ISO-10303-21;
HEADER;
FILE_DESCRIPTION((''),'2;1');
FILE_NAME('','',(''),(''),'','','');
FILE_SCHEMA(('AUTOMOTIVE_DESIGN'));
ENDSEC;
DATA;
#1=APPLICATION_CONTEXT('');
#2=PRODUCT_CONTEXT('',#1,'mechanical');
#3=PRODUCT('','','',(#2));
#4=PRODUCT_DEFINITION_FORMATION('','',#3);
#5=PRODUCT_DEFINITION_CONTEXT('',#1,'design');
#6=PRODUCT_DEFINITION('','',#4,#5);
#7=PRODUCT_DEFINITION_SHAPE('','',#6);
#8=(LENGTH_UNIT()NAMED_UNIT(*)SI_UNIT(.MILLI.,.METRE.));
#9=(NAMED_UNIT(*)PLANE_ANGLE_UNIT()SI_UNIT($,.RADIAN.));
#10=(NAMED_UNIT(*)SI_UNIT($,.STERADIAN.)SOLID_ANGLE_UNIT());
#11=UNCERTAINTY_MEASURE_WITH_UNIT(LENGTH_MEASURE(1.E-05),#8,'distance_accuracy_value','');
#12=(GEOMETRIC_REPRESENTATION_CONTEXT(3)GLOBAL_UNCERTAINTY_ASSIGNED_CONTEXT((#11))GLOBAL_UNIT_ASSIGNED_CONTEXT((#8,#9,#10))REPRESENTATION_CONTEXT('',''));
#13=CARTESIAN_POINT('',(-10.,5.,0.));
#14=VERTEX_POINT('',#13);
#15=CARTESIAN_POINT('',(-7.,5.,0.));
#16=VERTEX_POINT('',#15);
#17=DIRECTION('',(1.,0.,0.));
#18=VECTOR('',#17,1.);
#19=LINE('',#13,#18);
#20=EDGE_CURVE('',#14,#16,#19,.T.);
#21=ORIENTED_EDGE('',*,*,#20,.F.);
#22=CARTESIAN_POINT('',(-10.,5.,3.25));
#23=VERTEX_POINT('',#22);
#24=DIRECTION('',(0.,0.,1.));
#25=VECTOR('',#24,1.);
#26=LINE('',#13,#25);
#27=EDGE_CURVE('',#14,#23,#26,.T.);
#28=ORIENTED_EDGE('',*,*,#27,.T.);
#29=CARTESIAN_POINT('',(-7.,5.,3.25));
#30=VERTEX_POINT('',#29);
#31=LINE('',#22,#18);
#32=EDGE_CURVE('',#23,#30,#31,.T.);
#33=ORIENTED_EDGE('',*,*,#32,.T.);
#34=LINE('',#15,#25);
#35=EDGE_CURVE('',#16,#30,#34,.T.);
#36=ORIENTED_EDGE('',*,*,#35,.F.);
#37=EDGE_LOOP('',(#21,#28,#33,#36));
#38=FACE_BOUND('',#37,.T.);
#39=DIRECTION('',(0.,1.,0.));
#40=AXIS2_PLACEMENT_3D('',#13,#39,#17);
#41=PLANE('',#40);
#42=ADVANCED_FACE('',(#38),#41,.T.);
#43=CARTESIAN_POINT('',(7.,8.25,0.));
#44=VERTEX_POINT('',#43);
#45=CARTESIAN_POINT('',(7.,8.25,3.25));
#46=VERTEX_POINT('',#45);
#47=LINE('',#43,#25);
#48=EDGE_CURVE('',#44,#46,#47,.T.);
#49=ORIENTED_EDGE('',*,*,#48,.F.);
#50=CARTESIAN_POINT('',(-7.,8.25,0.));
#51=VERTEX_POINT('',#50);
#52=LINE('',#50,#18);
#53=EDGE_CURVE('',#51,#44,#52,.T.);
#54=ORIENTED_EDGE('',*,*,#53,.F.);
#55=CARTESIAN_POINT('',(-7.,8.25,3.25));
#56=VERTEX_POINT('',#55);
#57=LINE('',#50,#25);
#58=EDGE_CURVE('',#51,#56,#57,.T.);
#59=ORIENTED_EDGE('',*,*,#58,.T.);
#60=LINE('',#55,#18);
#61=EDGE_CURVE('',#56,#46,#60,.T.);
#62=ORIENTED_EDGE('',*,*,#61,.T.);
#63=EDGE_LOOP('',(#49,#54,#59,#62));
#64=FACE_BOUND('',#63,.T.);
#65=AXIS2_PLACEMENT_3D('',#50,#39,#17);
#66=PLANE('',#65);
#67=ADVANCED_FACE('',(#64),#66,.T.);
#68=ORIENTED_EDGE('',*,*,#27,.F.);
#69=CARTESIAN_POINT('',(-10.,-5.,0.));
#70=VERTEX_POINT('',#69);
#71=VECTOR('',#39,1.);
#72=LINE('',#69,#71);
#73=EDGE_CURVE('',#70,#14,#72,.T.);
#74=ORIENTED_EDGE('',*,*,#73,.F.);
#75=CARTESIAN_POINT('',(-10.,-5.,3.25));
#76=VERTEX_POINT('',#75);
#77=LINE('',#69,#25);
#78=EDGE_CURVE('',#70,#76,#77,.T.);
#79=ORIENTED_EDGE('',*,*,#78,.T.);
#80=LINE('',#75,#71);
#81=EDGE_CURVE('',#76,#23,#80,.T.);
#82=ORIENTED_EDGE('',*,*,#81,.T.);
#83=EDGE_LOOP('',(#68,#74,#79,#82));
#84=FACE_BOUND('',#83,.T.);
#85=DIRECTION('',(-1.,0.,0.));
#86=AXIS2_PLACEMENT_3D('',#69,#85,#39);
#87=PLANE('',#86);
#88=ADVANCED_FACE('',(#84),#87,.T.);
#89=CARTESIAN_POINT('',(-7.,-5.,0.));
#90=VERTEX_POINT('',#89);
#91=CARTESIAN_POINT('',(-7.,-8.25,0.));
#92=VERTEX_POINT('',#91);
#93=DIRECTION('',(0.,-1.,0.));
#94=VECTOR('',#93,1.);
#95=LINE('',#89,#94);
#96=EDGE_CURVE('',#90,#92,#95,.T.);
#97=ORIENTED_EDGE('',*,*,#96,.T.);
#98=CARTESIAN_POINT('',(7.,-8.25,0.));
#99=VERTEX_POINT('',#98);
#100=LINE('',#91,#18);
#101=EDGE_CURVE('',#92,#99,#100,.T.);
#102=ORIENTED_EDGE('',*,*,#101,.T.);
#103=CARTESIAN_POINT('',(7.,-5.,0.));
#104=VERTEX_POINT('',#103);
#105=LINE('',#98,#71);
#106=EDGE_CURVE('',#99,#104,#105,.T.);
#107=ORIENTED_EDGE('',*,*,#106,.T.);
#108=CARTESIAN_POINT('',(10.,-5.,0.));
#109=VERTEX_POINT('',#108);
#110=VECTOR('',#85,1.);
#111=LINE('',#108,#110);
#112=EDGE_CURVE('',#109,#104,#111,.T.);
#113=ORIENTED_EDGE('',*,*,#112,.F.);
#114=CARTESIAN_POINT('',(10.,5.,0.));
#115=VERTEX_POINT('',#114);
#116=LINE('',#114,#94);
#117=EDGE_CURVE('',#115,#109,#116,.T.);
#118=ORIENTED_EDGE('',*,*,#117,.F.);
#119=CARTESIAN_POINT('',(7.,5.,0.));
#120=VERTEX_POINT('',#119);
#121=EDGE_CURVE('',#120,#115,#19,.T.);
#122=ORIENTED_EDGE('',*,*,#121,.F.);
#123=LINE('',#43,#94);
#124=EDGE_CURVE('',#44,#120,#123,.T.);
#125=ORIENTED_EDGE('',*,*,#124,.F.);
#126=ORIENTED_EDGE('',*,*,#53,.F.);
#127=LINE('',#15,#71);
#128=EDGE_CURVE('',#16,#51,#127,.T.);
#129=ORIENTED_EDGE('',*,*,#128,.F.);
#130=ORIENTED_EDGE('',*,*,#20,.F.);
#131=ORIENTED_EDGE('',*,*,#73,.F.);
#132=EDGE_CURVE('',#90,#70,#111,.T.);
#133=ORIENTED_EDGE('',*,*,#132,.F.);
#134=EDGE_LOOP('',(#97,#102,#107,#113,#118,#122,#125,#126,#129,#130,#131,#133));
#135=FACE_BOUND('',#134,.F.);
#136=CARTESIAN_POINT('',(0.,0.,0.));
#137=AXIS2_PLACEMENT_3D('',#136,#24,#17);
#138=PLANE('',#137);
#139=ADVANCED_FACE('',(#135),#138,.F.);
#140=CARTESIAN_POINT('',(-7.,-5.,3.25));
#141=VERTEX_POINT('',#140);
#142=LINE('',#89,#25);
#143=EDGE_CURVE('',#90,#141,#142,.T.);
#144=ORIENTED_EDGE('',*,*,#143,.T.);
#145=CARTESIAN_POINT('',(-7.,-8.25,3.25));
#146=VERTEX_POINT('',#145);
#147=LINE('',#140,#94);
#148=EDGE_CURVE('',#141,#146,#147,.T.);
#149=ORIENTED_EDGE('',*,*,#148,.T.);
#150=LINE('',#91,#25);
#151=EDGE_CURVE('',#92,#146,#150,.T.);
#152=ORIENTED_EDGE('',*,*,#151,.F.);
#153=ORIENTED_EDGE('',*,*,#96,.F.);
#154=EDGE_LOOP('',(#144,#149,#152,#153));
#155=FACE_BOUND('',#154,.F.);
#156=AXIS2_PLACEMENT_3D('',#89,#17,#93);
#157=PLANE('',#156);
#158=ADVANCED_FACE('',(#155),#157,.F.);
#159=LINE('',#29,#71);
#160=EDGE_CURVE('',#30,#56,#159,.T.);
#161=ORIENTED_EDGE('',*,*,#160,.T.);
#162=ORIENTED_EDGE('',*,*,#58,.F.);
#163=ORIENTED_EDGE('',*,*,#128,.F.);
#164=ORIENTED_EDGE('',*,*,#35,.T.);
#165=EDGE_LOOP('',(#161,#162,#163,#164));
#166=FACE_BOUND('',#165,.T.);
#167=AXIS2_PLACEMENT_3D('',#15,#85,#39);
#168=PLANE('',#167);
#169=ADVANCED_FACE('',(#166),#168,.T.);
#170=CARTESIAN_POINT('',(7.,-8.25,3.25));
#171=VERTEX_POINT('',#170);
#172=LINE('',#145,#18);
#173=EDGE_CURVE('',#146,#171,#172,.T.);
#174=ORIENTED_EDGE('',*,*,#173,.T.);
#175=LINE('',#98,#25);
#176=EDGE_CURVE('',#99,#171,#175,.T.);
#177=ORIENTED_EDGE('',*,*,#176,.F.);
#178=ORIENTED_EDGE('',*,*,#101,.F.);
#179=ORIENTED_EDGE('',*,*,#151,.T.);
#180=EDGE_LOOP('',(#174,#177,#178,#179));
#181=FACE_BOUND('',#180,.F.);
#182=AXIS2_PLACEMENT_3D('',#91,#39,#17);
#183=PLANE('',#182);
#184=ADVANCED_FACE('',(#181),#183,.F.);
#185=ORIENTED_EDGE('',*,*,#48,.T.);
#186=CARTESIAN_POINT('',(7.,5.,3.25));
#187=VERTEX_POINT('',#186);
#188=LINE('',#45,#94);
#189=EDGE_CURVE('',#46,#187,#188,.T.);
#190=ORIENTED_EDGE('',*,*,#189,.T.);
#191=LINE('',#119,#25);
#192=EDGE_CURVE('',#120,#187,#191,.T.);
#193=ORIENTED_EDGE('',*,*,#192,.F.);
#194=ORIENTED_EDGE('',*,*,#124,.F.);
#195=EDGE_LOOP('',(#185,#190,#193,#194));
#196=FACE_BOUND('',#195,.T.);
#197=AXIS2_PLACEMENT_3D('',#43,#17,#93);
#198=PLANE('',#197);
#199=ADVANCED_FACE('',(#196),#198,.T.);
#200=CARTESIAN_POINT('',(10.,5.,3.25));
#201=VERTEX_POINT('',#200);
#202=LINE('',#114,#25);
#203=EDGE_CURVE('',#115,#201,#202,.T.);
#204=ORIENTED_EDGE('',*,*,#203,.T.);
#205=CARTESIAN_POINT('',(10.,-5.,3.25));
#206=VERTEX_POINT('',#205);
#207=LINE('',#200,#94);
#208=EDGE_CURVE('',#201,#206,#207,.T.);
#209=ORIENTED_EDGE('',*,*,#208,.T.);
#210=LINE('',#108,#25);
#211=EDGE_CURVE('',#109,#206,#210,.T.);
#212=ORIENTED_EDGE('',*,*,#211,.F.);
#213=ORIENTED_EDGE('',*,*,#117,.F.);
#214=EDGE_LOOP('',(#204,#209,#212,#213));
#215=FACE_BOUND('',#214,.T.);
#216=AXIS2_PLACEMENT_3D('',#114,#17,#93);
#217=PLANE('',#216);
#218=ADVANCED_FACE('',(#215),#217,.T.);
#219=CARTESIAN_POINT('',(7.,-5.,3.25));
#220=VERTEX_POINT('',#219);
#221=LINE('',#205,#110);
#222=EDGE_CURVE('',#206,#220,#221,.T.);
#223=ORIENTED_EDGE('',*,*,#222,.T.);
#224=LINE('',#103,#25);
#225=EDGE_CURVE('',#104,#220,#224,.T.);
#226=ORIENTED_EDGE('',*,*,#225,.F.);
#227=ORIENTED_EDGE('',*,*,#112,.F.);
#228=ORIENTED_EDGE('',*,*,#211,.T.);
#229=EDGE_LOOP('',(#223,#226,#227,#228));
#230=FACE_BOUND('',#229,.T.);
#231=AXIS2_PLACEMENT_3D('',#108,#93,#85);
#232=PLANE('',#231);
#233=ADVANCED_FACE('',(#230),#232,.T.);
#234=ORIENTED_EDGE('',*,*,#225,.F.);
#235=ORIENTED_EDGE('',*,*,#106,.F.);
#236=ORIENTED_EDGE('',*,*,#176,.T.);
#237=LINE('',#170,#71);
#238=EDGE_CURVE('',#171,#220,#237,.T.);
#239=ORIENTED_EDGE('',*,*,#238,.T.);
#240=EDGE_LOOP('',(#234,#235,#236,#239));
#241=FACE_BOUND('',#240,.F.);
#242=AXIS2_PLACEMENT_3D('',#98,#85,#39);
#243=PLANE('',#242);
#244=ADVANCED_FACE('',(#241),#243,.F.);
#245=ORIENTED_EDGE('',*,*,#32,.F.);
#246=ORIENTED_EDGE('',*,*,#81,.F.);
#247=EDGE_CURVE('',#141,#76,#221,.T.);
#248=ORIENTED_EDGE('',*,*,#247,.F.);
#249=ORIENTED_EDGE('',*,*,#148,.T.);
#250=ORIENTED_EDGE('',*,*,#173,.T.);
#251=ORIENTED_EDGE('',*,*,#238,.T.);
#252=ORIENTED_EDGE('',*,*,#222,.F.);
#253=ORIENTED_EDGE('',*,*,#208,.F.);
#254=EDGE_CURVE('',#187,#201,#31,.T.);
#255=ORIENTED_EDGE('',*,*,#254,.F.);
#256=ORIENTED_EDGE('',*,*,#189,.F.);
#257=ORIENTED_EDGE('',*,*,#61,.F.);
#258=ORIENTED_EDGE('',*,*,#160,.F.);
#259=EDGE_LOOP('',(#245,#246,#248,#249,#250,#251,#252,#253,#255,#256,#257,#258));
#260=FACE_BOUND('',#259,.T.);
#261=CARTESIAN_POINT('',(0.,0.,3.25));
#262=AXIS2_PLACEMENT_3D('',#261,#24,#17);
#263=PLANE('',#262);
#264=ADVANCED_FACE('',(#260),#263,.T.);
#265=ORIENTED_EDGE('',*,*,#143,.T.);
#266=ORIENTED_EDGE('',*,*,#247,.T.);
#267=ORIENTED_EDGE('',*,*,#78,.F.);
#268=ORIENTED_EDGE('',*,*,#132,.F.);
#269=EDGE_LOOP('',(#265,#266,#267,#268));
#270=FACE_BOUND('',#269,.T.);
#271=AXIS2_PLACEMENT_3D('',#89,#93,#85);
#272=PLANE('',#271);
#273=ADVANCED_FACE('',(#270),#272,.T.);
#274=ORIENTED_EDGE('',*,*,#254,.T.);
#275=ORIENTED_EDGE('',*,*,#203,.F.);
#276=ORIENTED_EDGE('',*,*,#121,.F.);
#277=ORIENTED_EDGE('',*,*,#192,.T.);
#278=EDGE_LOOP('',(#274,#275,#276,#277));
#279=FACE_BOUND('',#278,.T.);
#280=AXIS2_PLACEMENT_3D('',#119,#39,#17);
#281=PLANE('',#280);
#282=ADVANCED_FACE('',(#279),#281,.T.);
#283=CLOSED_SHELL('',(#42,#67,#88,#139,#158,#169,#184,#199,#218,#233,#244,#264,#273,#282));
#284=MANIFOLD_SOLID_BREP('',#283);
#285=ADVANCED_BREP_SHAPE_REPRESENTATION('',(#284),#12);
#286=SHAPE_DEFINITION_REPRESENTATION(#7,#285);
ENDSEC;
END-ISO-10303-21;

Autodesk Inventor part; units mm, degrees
ref_plane "YZ Plane" through (0, 0, 0) normal (1, 0, 0) x (0, 1, 0)
ref_plane "XZ Plane" through (0, 0, 0) normal (0, 1, 0) x (-1, 0, 0)
ref_plane "XY Plane" through (0, 0, 0) normal (0, 0, 1) x (1, 0, 0)
sketch "Block1" plane through (0, 0, 0) normal (0, 0, 1) x (1, 0, 0)
  circle A0 centre (74.029, 24.2723) radius 1
  line L0 (49.279, 30.4723) -> (71.779, 30.4723)
  line L1 (71.779, 30.4723) -> (71.779, 18.0723)
  line L2 (71.779, 18.0723) -> (49.279, 18.0723)
  line L3 (49.279, 18.0723) -> (49.279, 30.4723)
  line L4 (49.279, 30.4723) -> (44.779, 30.4723)
  line L5 (44.779, 30.4723) -> (44.779, 18.0723)
  line L6 (44.779, 18.0723) -> (49.279, 18.0723)
  line L7 (49.279, 18.0723) -> (49.279, 30.4723)
  line L8 (71.779, 30.4723) -> (76.279, 30.4723)
  line L9 (76.279, 30.4723) -> (76.279, 18.0723)
  line L10 (76.279, 18.0723) -> (71.779, 18.0723)
  line L11 (71.779, 18.0723) -> (71.779, 30.4723)
  line L12 (44.779, 24.2723) -> (76.279, 24.2723) construction
  line L13 (47.029, 30.4723) -> (47.029, 18.0723) construction
  circle A1 centre (47.029, 24.2723) radius 1
  line L14 (74.029, 30.4723) -> (74.029, 18.0723) construction
  point P0 (60.979, 24.0984)
  dimension "d7" = 22.5
  dimension "d8" = 12.4
  dimension "d9" = 4.5
  dimension "d10" = 4.5
  dimension "d11" = 2
  dimension "d12" = 2
sketch "Sketch1" plane through (0, 0, 0) normal (0, 0, 1) x (1, 0, 0)
  line L0 (-92.7646, -8.503) -> (-89.7646, -8.503)
  line L1 (-89.7646, -8.503) -> (-89.7646, -11.753)
  line L2 (-89.7646, -11.753) -> (-92.7646, -11.753)
  line L3 (-92.7646, -11.753) -> (-92.7646, -8.503)
  line L4 (-92.7646, -21.6527) -> (-89.7646, -21.6527)
  line L5 (-89.7646, -21.6527) -> (-89.7646, -21.7527)
  line L6 (-89.7646, -21.7527) -> (-92.7646, -21.7527)
  line L7 (-92.7646, -21.7527) -> (-92.7646, -21.6527)
  line L8 (-7, -8.25) -> (7, -8.25)
  line L9 (7, -8.25) -> (7, -5)
  line L10 (7, -5) -> (-7, -5)
  line L11 (-7, -5) -> (-7, -8.25)
  line L12 (-10, 5) -> (10, 5)
  line L13 (10, 5) -> (10, -5)
  line L14 (10, -5) -> (-10, -5)
  line L15 (-10, -5) -> (-10, 5)
  line L16 (0, -5) -> (0, 5) construction
  line L17 (0, -5) -> (0, -8.25) construction
  line L18 (-10, 0) -> (10, 0) construction
  line L19 (-7, 8.25) -> (7, 8.25)
  line L20 (7, 8.25) -> (7, 5)
  line L21 (7, 5) -> (-7, 5)
  line L22 (-7, 5) -> (-7, 8.25)
  line L23 (0, 5) -> (0, -5) construction
  line L24 (0, 5) -> (0, 8.25) construction
  point P0 (0, 0)
  dimension "d0" = 3
  dimension "mat" = 3.25
  dimension "d2" = 3
  dimension "d3" = 0.1
  dimension "d34" = 14
  dimension "d35" = 3.25
  dimension "d36" = 20
  dimension "d37" = 10
extrude "Extrusion4" add sketch "Sketch1" along normal blind 3.25 contours L11 L10 L9 L8 | L14 L15 L12 L13 L10 | L22 L19 L20 L12
equation "\"d35\" = mat"
equation "\"d38\" = mat"
properties part number "arm-servo"
